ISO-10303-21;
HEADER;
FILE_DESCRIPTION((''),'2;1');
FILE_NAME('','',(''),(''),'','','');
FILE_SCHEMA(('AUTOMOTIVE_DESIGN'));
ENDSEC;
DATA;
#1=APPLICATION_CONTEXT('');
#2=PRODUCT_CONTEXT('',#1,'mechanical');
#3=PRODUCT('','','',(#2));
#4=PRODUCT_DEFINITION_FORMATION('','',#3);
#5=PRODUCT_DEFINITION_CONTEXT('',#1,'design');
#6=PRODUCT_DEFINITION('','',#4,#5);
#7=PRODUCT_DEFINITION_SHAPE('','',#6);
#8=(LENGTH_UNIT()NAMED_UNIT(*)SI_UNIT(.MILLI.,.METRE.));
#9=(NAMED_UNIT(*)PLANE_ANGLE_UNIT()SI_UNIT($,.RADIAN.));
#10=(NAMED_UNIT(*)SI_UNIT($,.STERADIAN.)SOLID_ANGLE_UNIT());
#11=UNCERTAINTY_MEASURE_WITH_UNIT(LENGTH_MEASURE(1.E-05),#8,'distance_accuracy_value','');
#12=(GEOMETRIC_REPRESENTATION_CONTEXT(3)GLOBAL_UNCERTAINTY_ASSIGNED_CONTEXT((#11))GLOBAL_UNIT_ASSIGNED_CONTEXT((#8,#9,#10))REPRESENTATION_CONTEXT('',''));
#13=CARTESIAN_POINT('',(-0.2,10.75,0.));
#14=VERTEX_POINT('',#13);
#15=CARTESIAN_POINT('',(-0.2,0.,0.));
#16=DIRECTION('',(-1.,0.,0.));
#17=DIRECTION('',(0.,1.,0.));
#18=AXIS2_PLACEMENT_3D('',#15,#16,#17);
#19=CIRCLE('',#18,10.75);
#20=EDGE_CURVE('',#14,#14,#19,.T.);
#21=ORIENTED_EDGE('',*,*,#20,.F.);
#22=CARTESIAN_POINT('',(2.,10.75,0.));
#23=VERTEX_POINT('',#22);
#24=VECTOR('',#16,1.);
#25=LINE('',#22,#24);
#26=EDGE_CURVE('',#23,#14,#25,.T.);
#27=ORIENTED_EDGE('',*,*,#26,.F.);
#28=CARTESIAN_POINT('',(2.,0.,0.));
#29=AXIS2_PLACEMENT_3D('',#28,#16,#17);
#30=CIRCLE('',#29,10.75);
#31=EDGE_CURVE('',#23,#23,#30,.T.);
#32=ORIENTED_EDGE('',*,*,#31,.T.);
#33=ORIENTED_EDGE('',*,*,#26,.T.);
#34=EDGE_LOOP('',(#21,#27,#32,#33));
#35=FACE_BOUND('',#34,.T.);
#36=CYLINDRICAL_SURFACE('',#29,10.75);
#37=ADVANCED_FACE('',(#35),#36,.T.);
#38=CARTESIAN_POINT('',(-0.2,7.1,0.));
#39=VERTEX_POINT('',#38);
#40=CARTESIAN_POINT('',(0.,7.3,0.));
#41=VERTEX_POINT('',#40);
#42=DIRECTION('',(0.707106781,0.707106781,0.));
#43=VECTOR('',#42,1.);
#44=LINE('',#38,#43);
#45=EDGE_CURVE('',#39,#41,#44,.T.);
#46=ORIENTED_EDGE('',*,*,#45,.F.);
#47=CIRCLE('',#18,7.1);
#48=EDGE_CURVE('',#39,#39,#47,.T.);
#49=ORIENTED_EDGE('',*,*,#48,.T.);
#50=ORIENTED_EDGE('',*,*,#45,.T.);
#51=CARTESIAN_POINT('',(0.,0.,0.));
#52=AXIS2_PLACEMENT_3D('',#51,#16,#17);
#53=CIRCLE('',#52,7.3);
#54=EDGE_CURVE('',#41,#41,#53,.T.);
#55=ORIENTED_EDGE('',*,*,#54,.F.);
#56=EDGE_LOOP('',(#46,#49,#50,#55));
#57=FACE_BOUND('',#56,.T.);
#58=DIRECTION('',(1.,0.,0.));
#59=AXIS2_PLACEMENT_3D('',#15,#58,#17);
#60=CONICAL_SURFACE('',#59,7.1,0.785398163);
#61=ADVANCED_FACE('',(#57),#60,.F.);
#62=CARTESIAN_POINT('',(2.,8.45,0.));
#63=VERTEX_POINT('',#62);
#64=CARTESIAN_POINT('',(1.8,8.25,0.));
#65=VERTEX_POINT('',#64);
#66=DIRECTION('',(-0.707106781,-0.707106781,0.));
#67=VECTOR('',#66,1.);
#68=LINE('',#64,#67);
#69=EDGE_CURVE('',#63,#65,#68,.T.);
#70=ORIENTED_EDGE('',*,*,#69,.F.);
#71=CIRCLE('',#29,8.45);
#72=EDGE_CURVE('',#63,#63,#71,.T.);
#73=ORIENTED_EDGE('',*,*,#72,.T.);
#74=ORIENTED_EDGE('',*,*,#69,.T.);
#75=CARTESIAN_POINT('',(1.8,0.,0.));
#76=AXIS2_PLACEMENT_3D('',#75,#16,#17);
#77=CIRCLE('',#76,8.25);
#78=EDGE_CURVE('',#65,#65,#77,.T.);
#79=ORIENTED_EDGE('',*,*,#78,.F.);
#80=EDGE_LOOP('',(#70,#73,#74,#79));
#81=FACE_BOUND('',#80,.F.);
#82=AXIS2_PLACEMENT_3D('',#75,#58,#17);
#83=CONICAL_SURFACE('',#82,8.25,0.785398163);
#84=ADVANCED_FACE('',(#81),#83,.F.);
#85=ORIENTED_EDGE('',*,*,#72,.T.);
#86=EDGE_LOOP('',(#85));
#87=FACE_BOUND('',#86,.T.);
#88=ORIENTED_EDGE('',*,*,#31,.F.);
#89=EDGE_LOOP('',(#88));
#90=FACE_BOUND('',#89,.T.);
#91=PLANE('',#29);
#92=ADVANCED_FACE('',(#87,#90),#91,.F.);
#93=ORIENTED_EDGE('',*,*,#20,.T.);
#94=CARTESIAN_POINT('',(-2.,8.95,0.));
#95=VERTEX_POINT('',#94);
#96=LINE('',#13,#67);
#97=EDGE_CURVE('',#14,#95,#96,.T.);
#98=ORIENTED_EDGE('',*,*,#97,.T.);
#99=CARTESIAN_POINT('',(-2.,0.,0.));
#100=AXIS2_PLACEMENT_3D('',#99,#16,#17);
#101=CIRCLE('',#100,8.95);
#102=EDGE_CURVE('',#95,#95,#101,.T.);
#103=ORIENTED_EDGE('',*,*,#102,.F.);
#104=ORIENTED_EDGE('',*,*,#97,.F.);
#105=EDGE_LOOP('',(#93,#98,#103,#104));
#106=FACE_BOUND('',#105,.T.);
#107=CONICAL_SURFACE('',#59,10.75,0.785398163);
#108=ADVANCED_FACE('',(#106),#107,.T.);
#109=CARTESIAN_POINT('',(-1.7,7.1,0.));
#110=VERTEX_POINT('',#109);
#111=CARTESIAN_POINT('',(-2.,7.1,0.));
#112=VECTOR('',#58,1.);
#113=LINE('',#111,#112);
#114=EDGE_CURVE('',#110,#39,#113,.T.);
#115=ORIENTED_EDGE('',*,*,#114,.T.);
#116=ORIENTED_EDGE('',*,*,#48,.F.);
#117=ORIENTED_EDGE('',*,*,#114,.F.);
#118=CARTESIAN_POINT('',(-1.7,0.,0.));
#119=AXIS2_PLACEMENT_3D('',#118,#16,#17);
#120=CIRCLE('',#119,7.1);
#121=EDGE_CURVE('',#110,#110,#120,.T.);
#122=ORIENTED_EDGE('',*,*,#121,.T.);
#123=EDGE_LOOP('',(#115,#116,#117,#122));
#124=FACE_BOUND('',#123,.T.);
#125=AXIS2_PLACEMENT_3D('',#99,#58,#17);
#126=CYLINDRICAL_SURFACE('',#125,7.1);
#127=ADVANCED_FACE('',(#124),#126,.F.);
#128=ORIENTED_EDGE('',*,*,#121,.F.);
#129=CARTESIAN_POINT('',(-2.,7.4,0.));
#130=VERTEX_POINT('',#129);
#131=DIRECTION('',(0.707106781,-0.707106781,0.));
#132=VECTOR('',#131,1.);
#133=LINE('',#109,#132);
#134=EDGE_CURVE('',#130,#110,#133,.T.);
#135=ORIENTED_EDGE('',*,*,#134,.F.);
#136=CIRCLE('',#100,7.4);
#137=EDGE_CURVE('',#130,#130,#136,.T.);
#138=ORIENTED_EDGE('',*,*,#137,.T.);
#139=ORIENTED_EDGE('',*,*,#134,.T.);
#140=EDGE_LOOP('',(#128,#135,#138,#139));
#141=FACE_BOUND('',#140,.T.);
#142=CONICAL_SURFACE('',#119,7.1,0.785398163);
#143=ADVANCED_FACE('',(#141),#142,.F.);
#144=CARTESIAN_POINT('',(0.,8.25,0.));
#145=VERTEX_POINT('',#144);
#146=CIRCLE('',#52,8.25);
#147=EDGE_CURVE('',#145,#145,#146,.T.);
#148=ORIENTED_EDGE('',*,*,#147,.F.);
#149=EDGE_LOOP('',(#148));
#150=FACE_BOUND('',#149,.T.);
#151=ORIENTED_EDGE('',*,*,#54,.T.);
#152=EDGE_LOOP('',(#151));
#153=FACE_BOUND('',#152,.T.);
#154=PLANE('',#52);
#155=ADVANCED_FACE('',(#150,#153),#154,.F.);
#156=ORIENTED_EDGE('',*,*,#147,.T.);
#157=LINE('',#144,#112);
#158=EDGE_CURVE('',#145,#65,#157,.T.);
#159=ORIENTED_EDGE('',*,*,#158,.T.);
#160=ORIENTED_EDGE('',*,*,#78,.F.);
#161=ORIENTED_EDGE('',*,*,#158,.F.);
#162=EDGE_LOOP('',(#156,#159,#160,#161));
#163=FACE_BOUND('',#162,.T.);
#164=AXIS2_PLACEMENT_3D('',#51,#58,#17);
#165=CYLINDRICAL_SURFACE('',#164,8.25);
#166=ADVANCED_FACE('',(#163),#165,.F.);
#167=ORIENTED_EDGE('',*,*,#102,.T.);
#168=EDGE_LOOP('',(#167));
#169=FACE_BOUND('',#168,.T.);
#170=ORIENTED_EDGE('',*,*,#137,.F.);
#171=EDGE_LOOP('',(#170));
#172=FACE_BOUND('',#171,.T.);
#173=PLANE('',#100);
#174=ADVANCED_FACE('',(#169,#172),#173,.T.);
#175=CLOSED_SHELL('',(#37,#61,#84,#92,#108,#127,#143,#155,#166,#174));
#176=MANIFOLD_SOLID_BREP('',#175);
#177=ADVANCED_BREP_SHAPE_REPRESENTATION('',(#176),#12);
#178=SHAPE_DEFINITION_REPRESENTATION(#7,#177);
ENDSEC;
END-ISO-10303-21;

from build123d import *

# Parameters (mm, degrees)
F2_SIZE = 1.8
F3_SIZE = 0.3
F4_SIZE = 0.2


with BuildPart() as f1:
    # F0 (on Top) → F1 (revolve)
    with BuildSketch(Plane.XY):
        Polygon((-2, 7.1), (0, 7.1), (0, 8.25), (2, 8.25), (2, 10.75), (-2, 10.75), align=None)
    revolve(axis=Axis((-1, 0, 0), (-1, 0, 0)))

    # F2
    f2_edges = [f1.edges().sort_by_distance(p)[0] for p in [
        (-2, -10.75, 0),
    ]]
    chamfer(f2_edges, length=F2_SIZE)

    # F3
    f3_edges = [f1.edges().sort_by_distance(p)[0] for p in [
        (-2, -7.1, 0),
    ]]
    chamfer(f3_edges, length=F3_SIZE)

    # F4
    f4_edges = [f1.edges().sort_by_distance(p)[0] for p in [
        (2, -8.25, 0),
        (0, -7.1, 0),
    ]]
    chamfer(f4_edges, length=F4_SIZE)


solid = f1.part
